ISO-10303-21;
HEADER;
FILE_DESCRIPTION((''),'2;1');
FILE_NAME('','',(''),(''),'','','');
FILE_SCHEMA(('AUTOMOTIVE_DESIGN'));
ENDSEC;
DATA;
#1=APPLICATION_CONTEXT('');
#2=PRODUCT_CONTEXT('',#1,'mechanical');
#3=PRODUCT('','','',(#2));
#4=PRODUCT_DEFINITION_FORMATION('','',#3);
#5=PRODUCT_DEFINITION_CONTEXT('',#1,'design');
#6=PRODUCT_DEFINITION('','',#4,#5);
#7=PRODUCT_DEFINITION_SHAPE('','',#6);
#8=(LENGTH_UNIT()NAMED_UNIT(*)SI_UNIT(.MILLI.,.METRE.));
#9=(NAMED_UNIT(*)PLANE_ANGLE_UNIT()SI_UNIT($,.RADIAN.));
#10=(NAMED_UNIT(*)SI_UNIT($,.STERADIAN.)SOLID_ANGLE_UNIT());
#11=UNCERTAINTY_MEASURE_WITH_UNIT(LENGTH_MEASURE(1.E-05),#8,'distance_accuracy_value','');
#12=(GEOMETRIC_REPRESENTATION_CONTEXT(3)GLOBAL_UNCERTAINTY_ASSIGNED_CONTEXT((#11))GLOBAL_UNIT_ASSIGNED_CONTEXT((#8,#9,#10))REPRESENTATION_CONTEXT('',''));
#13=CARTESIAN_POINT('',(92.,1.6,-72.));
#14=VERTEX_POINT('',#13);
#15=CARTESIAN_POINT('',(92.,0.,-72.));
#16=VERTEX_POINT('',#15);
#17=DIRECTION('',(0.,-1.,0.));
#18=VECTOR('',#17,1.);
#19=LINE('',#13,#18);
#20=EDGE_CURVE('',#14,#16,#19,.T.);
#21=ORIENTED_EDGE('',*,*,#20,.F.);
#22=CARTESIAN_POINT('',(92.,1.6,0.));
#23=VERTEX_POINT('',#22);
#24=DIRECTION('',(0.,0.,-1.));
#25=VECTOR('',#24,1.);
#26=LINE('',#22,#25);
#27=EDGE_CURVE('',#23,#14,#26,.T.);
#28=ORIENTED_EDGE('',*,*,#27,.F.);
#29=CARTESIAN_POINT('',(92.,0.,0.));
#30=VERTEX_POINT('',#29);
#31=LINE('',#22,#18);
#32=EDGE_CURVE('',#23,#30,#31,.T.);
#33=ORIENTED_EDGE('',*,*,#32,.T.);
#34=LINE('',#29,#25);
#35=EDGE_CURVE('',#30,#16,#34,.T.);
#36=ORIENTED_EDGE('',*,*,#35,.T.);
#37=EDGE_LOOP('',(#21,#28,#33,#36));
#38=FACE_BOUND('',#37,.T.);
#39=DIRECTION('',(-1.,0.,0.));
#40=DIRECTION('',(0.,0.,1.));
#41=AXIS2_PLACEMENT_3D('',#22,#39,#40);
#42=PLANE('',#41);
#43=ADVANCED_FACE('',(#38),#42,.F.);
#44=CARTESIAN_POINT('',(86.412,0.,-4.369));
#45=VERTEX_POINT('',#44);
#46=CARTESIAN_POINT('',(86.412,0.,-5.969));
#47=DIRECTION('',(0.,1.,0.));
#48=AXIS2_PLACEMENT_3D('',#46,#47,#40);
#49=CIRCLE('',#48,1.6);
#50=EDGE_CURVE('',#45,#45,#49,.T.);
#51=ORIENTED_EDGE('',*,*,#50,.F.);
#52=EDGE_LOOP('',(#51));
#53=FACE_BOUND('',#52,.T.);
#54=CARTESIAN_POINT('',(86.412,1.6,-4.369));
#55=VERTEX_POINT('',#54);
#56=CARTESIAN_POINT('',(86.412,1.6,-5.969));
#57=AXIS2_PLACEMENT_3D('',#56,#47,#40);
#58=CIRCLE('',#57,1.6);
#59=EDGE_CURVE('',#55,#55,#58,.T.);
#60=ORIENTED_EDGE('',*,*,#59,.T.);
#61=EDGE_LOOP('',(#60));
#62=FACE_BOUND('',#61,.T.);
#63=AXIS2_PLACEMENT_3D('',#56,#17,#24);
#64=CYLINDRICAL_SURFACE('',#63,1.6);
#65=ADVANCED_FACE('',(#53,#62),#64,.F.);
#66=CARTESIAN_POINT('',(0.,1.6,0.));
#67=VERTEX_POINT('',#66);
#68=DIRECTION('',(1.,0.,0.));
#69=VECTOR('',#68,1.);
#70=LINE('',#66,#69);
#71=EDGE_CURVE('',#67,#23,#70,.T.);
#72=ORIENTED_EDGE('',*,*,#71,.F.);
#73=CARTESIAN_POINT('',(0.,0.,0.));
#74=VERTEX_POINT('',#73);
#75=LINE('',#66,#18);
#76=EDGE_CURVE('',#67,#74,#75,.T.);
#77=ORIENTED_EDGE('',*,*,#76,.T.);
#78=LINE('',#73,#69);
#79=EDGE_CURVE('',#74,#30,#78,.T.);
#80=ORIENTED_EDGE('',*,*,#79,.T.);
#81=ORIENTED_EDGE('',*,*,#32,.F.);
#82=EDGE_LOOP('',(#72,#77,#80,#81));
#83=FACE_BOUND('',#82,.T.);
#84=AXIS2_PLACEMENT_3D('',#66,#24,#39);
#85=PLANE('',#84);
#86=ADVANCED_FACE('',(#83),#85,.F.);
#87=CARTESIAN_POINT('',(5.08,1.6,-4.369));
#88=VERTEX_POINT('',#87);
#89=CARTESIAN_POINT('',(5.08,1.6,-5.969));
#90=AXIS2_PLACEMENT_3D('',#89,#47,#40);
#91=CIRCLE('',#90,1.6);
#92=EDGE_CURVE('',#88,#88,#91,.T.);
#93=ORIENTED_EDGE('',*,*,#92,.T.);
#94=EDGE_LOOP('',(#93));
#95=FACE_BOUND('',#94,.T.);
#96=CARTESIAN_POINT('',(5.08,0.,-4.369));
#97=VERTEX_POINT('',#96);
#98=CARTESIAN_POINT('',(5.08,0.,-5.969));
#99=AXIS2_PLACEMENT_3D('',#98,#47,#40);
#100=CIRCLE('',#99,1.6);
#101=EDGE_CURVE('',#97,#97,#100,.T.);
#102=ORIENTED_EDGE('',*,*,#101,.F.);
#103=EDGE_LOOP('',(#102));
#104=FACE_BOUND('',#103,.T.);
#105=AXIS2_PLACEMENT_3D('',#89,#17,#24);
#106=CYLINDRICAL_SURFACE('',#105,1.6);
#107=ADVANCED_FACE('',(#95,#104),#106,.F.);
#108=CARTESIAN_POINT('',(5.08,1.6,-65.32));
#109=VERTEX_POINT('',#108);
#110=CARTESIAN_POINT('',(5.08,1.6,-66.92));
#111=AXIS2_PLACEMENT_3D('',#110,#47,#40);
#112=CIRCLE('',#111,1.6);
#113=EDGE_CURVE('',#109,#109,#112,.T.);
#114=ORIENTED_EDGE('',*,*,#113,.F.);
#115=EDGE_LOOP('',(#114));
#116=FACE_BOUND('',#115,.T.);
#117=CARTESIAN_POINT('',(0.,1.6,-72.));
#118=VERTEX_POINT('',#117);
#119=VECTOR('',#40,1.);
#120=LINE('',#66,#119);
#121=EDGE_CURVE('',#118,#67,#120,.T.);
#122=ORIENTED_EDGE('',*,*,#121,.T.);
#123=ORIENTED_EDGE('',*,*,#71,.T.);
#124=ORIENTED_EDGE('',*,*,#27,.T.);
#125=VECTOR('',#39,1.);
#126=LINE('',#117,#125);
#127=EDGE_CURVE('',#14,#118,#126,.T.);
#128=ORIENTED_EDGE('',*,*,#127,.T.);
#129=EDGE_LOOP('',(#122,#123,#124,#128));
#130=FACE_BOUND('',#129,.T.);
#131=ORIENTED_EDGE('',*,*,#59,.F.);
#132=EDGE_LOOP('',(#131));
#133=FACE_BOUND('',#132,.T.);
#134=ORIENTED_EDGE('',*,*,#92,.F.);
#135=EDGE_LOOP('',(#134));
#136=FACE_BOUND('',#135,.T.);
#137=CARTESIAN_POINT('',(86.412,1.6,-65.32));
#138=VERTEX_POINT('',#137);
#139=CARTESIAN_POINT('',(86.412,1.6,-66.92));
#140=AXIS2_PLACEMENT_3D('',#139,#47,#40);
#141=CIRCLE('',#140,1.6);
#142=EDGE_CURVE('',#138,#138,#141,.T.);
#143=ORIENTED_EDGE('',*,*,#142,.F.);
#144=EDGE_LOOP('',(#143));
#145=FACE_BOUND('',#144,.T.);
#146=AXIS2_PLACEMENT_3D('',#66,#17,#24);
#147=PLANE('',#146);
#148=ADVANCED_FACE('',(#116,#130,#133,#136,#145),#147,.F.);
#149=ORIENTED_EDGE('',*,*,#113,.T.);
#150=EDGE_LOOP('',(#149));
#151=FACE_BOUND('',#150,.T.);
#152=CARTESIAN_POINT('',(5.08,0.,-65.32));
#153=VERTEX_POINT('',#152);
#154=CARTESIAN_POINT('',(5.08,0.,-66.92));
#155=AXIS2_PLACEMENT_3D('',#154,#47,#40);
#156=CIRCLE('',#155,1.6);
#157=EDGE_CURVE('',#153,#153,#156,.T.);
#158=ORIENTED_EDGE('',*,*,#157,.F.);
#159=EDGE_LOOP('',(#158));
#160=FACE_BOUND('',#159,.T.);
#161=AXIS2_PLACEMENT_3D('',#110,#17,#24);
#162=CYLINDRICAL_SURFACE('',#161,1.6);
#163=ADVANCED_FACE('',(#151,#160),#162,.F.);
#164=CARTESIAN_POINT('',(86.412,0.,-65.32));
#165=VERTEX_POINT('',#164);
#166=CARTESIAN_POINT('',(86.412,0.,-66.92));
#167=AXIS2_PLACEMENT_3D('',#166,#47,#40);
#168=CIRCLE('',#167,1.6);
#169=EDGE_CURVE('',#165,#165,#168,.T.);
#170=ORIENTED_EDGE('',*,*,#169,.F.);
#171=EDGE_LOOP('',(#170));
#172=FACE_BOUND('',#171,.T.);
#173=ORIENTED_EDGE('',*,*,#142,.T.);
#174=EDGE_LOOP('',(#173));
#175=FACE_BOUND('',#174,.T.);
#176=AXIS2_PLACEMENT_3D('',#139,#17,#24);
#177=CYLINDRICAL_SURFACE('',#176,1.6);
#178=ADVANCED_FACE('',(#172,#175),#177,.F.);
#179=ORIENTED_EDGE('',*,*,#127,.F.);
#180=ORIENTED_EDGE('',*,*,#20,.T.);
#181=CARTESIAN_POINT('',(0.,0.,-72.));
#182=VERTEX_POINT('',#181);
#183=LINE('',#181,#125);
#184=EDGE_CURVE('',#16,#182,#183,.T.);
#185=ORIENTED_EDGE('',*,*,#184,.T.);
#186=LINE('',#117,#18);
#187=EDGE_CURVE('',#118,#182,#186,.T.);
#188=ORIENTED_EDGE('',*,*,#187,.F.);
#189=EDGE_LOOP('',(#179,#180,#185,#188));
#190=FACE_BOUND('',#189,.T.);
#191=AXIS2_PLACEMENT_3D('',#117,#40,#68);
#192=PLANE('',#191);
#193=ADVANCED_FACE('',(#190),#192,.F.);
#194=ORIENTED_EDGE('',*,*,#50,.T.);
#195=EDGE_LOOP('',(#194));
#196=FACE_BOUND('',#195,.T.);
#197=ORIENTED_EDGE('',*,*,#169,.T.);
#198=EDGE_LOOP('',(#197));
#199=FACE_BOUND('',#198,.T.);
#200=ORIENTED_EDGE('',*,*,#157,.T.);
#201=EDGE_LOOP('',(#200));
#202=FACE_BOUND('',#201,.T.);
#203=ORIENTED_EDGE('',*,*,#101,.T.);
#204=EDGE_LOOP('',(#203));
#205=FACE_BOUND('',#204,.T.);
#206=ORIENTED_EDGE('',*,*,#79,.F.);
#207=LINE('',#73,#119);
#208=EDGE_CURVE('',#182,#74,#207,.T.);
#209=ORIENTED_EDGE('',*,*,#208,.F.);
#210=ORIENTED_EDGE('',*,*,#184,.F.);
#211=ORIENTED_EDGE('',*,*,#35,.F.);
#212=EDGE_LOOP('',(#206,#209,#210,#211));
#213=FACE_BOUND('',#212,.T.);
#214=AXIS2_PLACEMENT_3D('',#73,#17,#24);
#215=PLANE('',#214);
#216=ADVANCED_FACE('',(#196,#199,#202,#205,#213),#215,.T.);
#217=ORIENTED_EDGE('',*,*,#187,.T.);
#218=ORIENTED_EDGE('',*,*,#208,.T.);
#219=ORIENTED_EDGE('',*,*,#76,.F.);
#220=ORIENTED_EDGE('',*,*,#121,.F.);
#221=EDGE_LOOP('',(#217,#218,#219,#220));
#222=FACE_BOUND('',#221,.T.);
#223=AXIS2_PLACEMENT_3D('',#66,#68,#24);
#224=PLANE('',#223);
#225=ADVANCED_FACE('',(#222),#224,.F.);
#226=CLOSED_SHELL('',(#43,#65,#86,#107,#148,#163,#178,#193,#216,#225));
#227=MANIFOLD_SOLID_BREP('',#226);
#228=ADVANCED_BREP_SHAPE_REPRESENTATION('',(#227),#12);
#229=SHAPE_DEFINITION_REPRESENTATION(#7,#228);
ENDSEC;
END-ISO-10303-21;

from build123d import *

# Parameters (mm, degrees)
SKETCH1_W           = 92
SKETCH1_H           = 72
SKETCH1_R           = 1.6
BOSS_EXTRUDE1_DEPTH = 1.6


with BuildPart() as part:
    # Sketch1 → Boss-Extrude1 (new body)
    with BuildSketch(Plane(origin=(0, 0, 0), x_dir=(1, 0, 0), z_dir=(0, 1, 0))):
        with Locations((46, 36)):
            Rectangle(SKETCH1_W, SKETCH1_H)
        with Locations(Location((5.08, 66.92, 0), (0, 0, 270))):
            Circle(SKETCH1_R, mode=Mode.SUBTRACT)
        with Locations(Location((86.412, 66.92, 0), (0, 0, 270))):
            Circle(SKETCH1_R, mode=Mode.SUBTRACT)
        with Locations(Location((86.412, 5.969, 0), (0, 0, 270))):
            Circle(SKETCH1_R, mode=Mode.SUBTRACT)
        with Locations(Location((5.08, 5.969, 0), (0, 0, 270))):
            Circle(SKETCH1_R, mode=Mode.SUBTRACT)
    extrude(amount=BOSS_EXTRUDE1_DEPTH)


solid = part.part
